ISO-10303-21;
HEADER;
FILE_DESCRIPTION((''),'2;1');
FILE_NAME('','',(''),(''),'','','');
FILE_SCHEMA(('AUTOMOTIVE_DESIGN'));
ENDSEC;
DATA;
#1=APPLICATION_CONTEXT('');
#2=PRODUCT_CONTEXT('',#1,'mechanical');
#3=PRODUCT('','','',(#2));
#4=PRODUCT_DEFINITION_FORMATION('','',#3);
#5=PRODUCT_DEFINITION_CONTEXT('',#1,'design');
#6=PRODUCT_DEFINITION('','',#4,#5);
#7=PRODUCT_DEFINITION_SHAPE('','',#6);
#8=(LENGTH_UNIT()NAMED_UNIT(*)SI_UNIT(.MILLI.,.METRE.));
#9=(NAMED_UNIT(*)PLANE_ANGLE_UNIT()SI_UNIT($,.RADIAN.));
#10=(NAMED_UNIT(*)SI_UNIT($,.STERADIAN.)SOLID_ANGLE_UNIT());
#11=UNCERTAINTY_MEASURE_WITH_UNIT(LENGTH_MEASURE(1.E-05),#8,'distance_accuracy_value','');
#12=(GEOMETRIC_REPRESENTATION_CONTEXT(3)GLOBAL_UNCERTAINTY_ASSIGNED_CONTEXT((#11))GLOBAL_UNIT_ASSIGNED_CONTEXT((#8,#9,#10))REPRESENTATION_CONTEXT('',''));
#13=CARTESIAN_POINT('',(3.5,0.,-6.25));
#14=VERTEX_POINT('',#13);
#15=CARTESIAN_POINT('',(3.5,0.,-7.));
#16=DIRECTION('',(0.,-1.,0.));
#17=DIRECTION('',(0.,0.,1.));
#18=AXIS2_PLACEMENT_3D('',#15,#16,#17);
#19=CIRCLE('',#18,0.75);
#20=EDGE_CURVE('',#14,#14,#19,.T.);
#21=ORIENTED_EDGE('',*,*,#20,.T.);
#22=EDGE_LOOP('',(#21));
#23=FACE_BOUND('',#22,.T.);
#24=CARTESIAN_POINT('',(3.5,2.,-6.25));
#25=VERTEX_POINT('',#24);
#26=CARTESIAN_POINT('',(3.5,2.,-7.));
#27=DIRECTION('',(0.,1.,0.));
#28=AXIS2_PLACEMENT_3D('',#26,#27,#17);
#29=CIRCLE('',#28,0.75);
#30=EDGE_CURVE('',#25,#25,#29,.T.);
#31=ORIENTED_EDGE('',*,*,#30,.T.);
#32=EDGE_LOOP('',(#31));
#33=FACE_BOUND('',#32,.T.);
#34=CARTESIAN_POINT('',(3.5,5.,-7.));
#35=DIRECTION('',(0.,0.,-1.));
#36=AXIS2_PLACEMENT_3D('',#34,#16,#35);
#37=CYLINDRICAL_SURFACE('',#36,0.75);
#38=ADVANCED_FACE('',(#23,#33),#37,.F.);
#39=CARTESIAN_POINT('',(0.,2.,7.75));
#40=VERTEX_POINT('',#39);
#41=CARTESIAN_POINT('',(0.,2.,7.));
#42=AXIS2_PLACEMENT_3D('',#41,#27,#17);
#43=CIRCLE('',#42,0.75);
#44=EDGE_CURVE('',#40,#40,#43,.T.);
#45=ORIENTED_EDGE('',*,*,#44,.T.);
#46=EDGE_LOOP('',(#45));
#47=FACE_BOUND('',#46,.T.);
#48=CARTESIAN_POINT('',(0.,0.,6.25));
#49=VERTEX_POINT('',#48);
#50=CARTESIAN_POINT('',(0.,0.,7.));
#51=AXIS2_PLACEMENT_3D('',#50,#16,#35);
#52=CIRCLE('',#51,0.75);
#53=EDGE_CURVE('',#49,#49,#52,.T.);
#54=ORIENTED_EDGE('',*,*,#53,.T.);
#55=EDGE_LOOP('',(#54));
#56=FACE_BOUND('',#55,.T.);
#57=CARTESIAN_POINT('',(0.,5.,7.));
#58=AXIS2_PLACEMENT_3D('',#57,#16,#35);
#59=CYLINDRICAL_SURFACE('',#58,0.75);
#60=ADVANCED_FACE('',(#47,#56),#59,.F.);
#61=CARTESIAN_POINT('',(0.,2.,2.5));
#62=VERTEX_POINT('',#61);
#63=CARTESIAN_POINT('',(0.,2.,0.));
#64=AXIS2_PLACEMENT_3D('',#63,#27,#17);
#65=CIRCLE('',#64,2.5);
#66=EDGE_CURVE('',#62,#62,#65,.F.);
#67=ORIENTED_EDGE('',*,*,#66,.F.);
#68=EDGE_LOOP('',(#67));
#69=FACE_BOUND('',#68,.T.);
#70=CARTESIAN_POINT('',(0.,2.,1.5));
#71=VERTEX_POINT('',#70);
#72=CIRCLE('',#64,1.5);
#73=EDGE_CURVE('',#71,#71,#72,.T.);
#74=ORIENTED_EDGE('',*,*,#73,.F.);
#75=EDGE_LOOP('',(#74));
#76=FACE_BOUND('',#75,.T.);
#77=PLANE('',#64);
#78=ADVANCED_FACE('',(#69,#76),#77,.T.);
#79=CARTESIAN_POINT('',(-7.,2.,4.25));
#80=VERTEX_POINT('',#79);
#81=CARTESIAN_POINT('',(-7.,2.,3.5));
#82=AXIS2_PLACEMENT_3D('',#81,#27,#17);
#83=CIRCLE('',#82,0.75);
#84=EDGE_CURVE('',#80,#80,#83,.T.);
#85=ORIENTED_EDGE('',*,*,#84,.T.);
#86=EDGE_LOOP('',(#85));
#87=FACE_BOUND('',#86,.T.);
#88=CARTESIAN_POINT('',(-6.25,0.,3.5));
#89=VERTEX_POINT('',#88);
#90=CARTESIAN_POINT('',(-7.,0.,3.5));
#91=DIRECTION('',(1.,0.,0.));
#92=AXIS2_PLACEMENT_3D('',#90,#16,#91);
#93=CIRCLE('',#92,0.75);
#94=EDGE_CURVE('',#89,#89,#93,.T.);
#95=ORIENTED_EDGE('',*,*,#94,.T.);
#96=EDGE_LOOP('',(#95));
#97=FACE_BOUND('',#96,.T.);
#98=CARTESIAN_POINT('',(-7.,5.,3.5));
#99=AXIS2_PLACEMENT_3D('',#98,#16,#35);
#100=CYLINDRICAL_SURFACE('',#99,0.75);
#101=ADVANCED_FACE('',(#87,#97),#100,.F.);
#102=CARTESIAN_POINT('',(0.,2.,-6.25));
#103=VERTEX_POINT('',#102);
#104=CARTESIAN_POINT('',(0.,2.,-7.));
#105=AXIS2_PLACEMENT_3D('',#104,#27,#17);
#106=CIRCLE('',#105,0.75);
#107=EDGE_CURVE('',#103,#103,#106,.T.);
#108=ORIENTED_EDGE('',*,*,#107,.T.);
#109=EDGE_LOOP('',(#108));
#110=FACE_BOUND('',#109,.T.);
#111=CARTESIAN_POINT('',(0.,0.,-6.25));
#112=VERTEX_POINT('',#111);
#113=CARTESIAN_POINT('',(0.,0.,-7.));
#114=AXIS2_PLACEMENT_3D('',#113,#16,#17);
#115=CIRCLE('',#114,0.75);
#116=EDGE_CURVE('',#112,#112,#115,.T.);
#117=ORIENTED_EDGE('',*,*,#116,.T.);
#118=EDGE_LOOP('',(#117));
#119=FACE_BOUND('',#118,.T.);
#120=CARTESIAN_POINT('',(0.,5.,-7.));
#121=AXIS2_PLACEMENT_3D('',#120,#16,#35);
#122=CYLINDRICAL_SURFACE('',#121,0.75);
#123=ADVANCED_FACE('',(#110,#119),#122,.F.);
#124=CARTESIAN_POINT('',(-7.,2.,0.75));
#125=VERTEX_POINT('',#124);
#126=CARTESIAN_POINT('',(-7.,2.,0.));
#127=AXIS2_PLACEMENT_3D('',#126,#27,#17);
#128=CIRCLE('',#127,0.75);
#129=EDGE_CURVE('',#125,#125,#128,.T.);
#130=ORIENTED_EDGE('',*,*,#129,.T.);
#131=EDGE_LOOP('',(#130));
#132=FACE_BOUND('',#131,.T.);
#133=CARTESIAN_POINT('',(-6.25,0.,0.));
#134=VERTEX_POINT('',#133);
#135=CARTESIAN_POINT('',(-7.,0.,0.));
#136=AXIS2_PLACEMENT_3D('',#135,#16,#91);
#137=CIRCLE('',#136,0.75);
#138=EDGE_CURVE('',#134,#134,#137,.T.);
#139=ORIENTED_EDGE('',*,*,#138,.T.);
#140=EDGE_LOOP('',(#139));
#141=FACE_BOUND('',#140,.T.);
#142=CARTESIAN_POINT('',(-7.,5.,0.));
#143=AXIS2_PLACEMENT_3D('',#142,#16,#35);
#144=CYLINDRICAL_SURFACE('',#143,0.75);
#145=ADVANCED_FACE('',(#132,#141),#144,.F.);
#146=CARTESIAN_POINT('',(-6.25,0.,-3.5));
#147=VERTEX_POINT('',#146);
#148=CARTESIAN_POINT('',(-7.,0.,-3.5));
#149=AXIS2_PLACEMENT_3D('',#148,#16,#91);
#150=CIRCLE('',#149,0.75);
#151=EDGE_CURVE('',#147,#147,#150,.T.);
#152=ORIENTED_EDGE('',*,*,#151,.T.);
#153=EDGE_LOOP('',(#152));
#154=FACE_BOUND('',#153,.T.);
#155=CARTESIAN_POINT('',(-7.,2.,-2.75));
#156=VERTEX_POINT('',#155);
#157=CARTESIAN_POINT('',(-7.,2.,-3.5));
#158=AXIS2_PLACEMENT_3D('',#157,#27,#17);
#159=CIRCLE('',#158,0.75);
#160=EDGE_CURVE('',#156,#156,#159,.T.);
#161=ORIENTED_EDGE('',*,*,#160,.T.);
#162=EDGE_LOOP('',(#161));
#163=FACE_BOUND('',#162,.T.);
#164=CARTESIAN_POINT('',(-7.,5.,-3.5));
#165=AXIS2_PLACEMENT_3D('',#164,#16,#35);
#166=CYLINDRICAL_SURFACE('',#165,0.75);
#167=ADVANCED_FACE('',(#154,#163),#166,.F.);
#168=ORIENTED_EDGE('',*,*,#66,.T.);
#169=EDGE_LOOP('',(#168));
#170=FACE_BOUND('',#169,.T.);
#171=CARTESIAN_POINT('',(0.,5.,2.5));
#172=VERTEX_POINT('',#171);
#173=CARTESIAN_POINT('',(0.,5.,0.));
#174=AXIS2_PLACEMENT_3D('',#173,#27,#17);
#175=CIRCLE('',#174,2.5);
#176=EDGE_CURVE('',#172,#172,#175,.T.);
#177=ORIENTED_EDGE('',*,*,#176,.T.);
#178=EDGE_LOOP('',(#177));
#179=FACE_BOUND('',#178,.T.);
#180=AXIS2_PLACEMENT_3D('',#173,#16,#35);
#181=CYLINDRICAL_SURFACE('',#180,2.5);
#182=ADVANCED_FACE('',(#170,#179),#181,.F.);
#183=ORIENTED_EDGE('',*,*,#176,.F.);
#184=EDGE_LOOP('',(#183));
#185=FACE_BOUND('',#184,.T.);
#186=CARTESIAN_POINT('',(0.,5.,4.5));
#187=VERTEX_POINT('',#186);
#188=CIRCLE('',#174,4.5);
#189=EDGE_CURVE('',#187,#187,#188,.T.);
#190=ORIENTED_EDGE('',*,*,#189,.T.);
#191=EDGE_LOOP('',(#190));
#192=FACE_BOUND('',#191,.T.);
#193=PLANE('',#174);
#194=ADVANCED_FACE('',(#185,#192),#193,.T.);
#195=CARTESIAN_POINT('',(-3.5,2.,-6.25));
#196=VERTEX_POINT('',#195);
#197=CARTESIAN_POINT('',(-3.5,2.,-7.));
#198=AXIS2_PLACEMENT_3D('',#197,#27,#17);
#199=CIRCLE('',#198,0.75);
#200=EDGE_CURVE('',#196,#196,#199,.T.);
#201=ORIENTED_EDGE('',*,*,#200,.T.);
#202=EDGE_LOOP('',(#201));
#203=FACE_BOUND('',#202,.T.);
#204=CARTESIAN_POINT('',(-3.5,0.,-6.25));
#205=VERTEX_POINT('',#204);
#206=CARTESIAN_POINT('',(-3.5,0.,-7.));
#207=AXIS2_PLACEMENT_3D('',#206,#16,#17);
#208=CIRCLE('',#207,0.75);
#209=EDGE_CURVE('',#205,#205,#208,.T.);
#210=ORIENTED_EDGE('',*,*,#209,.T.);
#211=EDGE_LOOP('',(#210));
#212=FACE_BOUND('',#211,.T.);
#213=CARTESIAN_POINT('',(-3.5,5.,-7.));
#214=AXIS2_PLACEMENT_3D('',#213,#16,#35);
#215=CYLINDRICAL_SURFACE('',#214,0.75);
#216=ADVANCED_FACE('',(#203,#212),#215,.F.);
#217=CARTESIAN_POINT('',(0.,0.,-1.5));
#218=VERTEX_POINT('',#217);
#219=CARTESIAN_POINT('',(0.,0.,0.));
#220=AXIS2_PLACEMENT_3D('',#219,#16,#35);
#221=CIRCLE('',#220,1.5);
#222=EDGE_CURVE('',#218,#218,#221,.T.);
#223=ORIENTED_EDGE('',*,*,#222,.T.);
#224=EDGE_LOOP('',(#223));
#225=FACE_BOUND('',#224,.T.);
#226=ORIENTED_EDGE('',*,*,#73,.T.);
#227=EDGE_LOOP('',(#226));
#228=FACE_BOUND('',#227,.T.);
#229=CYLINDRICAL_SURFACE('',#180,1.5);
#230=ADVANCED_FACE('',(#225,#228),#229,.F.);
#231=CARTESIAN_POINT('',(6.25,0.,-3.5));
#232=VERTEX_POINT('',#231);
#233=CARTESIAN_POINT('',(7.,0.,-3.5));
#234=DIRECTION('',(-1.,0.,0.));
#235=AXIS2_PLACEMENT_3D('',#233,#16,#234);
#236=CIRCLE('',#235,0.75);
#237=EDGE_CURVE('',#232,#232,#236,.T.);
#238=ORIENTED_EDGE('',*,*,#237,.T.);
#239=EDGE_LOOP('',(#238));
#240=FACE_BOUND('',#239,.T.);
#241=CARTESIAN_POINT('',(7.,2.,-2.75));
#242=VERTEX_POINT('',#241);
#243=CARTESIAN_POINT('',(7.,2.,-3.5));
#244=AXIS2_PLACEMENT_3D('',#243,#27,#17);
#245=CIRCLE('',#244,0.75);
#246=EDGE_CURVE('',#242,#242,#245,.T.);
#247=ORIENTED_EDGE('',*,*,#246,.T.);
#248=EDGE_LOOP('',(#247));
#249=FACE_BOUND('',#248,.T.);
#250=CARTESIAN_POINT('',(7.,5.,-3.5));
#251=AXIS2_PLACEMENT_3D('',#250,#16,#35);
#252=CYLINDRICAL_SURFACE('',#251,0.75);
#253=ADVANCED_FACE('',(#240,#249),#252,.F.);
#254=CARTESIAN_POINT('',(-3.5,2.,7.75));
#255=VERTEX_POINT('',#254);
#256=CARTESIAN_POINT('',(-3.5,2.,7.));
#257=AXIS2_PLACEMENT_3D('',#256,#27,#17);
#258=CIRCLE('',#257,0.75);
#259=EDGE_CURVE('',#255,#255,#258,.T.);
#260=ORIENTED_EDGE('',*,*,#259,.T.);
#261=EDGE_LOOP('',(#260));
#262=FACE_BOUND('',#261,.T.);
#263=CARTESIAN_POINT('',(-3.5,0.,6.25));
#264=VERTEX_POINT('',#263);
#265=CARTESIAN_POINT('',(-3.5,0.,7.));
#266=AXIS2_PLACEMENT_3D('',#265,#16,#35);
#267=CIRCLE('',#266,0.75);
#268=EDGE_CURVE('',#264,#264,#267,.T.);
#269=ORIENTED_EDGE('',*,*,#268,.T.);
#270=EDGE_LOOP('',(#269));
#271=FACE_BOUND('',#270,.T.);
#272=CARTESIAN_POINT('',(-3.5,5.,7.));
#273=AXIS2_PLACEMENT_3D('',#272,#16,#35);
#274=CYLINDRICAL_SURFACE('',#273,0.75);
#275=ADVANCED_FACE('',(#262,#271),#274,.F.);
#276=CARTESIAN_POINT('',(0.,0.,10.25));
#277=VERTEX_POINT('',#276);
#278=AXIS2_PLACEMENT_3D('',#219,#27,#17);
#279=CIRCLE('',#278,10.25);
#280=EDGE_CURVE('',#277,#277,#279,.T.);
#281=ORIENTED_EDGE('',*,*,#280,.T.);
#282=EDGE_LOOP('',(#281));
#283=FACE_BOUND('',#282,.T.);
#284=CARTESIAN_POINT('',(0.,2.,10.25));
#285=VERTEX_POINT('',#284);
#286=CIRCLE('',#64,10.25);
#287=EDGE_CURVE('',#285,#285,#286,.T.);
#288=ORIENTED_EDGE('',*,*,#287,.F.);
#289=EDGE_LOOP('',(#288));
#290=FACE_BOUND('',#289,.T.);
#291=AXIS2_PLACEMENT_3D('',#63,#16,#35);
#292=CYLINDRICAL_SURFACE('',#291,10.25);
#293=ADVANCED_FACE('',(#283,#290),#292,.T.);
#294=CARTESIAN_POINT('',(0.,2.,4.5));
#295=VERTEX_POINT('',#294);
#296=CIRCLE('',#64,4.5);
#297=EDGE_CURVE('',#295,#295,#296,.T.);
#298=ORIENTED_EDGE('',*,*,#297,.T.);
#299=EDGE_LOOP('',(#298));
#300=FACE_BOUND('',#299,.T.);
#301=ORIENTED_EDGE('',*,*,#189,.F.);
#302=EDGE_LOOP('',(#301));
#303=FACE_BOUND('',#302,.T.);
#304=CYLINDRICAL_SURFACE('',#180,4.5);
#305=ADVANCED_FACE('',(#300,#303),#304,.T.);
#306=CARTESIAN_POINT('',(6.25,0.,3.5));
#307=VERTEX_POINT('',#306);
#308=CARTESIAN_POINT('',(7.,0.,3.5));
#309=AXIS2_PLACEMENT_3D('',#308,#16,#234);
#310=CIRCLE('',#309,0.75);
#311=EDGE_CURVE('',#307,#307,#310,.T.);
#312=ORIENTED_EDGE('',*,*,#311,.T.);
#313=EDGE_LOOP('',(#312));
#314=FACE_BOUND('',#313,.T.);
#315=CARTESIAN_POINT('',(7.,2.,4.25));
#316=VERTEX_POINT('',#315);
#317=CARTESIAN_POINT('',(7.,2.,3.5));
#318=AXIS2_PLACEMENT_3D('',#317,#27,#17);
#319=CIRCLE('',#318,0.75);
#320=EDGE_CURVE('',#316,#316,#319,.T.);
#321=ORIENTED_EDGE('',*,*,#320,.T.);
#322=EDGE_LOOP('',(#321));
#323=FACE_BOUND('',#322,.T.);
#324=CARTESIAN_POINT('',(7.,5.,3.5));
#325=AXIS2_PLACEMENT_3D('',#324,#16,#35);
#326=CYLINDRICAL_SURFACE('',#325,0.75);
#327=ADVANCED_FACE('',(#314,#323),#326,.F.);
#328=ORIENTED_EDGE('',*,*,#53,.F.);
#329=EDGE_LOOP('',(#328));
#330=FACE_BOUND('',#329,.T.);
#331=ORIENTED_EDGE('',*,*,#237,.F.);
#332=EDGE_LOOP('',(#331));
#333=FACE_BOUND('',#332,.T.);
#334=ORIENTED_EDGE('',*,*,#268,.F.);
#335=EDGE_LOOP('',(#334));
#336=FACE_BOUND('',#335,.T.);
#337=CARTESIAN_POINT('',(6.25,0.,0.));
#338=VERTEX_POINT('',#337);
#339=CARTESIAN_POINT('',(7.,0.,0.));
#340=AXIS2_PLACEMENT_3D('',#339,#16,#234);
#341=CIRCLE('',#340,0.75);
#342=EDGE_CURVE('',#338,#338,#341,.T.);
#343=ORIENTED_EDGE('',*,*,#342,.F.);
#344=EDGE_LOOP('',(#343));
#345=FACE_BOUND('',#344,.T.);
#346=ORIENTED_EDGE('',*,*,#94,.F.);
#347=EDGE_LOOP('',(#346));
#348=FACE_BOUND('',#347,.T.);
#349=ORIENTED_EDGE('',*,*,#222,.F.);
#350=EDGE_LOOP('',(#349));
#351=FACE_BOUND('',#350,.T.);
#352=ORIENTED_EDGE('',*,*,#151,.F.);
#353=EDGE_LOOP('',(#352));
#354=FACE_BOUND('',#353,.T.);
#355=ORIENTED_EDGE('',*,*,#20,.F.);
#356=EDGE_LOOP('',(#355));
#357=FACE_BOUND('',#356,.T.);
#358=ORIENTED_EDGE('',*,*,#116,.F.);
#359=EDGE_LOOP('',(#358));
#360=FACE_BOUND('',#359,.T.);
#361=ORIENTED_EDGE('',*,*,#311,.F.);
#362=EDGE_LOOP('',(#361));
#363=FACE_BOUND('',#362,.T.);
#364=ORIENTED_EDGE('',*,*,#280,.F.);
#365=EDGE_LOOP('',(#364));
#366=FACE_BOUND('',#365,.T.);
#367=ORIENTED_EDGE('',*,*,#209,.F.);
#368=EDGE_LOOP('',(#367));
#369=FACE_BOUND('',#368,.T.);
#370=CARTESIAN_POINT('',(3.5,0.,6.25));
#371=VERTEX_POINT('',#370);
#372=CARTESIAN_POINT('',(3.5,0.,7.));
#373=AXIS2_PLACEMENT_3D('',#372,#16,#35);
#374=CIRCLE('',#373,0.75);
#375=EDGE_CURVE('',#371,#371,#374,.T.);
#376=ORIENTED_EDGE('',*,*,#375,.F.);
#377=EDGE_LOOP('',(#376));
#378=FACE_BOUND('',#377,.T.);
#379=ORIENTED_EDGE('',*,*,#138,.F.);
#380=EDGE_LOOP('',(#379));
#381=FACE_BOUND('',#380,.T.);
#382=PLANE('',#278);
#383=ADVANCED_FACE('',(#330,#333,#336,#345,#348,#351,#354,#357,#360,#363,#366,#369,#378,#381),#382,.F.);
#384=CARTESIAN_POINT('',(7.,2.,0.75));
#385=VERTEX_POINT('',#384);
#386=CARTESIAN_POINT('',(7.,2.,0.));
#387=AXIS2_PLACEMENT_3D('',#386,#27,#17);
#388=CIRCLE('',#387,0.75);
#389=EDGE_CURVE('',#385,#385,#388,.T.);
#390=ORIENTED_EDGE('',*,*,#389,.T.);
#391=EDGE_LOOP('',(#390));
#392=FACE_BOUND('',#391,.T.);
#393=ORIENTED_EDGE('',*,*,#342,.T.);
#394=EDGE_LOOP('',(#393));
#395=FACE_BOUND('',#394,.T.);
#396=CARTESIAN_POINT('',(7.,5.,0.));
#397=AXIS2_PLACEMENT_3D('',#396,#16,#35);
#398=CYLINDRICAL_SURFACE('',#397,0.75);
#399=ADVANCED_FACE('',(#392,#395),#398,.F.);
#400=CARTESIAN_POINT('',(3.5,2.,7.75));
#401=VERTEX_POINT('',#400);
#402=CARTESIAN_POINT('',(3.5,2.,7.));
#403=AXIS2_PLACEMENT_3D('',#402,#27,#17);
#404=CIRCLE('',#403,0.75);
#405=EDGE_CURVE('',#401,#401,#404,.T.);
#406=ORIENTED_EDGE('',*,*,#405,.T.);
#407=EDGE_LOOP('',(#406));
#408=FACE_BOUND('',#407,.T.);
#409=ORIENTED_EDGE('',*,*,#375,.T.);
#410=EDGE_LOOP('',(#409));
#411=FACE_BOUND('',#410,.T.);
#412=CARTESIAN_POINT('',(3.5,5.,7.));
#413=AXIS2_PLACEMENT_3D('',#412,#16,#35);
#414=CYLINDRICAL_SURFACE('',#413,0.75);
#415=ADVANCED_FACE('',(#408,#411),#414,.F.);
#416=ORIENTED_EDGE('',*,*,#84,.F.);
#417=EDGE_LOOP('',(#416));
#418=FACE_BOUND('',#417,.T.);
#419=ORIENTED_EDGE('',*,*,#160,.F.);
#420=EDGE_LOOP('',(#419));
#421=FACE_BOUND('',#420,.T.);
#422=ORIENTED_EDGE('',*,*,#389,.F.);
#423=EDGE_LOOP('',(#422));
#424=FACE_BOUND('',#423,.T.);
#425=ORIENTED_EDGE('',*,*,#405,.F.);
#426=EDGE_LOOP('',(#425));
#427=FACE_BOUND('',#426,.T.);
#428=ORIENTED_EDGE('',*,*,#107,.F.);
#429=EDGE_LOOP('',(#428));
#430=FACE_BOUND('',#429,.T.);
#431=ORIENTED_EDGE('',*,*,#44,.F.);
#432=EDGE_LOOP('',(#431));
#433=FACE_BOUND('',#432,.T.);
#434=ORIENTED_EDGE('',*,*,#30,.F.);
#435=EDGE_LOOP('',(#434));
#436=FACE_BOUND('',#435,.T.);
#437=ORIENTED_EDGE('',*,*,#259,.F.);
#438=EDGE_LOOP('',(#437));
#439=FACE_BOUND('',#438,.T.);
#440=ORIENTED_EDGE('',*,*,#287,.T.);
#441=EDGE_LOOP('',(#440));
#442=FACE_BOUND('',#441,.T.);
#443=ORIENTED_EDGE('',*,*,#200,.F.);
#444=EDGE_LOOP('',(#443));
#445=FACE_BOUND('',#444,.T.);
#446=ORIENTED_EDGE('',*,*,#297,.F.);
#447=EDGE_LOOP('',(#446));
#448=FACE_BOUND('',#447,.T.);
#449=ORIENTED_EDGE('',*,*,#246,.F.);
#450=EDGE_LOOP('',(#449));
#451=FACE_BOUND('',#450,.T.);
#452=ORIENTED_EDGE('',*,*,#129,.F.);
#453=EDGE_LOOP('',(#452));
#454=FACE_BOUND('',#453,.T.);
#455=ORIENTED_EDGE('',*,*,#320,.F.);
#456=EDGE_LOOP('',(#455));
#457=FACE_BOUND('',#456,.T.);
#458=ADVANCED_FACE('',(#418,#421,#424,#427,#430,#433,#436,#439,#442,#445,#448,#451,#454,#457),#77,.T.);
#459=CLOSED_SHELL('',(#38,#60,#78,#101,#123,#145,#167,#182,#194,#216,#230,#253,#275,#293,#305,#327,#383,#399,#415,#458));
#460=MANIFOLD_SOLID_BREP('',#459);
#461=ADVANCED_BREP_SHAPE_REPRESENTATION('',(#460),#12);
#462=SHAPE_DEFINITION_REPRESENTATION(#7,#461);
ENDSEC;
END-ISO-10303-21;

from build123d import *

# Parameters (mm, degrees)
SKETCH1_R           = 10.25
BOSS_EXTRUDE1_DEPTH = 2
SKETCH2_R           = 4.5
SKETCH2_R_2         = 2.5
BOSS_EXTRUDE2_DEPTH = 3
SKETCH3_R           = 1.5
CUT_EXTRUDE1_DEPTH  = 16.333786225
SKETCH4_R           = 0.75
CUT_EXTRUDE2_DEPTH  = 16.333786225
CIRPATTERN1_COUNT   = 4


with BuildPart() as part:
    # Sketch1 → Boss-Extrude1 (new body)
    with BuildSketch(Plane(origin=(0, 0, 0), x_dir=(1, 0, 0), z_dir=(0, 1, 0))):
        with Locations(Location((0, 0, 0), (0, 0, 270))):
            Circle(SKETCH1_R)
    extrude(amount=BOSS_EXTRUDE1_DEPTH)

    # Sketch2 → Boss-Extrude2 (add)
    with BuildSketch(Plane(origin=(0, 2, 0), x_dir=(1, 0, 0), z_dir=(0, 1, 0))):
        with Locations(Location((0, 0, 0), (0, 0, 270))):
            Circle(SKETCH2_R)
        with Locations(Location((0, 0, 0), (0, 0, 270))):
            Circle(SKETCH2_R_2, mode=Mode.SUBTRACT)
    extrude(amount=BOSS_EXTRUDE2_DEPTH)

    # Sketch3 → Cut-Extrude1 (cut, through all)
    with BuildSketch(Plane.XZ):
        with Locations(Location((0, 0, 0), (0, 0, 270))):
            Circle(SKETCH3_R)
    extrude(amount=-CUT_EXTRUDE1_DEPTH, mode=Mode.SUBTRACT)

    # Sketch4 → Cut-Extrude2 (cut, through all)
    with BuildSketch(Plane.XZ):
        with Locations(Location((0, 7, 0), (0, 0, 270))):
            Circle(SKETCH4_R)
        with Locations(Location((-3.5, 7, 0), (0, 0, 270))):
            Circle(SKETCH4_R)
        with Locations(Location((3.5, 7, 0), (0, 0, 270))):
            Circle(SKETCH4_R)
    cut_extrude2 = extrude(amount=-CUT_EXTRUDE2_DEPTH, mode=Mode.SUBTRACT)

    # CirPattern1: Cut-Extrude2 ×4 about axis
    cirpattern1_axis = Axis((0, 0, 0), (0, 1, 0))
    for i in range(1, CIRPATTERN1_COUNT):
        add(cut_extrude2.rotate(cirpattern1_axis, i * 360 / CIRPATTERN1_COUNT), mode=Mode.SUBTRACT)


solid = part.part
